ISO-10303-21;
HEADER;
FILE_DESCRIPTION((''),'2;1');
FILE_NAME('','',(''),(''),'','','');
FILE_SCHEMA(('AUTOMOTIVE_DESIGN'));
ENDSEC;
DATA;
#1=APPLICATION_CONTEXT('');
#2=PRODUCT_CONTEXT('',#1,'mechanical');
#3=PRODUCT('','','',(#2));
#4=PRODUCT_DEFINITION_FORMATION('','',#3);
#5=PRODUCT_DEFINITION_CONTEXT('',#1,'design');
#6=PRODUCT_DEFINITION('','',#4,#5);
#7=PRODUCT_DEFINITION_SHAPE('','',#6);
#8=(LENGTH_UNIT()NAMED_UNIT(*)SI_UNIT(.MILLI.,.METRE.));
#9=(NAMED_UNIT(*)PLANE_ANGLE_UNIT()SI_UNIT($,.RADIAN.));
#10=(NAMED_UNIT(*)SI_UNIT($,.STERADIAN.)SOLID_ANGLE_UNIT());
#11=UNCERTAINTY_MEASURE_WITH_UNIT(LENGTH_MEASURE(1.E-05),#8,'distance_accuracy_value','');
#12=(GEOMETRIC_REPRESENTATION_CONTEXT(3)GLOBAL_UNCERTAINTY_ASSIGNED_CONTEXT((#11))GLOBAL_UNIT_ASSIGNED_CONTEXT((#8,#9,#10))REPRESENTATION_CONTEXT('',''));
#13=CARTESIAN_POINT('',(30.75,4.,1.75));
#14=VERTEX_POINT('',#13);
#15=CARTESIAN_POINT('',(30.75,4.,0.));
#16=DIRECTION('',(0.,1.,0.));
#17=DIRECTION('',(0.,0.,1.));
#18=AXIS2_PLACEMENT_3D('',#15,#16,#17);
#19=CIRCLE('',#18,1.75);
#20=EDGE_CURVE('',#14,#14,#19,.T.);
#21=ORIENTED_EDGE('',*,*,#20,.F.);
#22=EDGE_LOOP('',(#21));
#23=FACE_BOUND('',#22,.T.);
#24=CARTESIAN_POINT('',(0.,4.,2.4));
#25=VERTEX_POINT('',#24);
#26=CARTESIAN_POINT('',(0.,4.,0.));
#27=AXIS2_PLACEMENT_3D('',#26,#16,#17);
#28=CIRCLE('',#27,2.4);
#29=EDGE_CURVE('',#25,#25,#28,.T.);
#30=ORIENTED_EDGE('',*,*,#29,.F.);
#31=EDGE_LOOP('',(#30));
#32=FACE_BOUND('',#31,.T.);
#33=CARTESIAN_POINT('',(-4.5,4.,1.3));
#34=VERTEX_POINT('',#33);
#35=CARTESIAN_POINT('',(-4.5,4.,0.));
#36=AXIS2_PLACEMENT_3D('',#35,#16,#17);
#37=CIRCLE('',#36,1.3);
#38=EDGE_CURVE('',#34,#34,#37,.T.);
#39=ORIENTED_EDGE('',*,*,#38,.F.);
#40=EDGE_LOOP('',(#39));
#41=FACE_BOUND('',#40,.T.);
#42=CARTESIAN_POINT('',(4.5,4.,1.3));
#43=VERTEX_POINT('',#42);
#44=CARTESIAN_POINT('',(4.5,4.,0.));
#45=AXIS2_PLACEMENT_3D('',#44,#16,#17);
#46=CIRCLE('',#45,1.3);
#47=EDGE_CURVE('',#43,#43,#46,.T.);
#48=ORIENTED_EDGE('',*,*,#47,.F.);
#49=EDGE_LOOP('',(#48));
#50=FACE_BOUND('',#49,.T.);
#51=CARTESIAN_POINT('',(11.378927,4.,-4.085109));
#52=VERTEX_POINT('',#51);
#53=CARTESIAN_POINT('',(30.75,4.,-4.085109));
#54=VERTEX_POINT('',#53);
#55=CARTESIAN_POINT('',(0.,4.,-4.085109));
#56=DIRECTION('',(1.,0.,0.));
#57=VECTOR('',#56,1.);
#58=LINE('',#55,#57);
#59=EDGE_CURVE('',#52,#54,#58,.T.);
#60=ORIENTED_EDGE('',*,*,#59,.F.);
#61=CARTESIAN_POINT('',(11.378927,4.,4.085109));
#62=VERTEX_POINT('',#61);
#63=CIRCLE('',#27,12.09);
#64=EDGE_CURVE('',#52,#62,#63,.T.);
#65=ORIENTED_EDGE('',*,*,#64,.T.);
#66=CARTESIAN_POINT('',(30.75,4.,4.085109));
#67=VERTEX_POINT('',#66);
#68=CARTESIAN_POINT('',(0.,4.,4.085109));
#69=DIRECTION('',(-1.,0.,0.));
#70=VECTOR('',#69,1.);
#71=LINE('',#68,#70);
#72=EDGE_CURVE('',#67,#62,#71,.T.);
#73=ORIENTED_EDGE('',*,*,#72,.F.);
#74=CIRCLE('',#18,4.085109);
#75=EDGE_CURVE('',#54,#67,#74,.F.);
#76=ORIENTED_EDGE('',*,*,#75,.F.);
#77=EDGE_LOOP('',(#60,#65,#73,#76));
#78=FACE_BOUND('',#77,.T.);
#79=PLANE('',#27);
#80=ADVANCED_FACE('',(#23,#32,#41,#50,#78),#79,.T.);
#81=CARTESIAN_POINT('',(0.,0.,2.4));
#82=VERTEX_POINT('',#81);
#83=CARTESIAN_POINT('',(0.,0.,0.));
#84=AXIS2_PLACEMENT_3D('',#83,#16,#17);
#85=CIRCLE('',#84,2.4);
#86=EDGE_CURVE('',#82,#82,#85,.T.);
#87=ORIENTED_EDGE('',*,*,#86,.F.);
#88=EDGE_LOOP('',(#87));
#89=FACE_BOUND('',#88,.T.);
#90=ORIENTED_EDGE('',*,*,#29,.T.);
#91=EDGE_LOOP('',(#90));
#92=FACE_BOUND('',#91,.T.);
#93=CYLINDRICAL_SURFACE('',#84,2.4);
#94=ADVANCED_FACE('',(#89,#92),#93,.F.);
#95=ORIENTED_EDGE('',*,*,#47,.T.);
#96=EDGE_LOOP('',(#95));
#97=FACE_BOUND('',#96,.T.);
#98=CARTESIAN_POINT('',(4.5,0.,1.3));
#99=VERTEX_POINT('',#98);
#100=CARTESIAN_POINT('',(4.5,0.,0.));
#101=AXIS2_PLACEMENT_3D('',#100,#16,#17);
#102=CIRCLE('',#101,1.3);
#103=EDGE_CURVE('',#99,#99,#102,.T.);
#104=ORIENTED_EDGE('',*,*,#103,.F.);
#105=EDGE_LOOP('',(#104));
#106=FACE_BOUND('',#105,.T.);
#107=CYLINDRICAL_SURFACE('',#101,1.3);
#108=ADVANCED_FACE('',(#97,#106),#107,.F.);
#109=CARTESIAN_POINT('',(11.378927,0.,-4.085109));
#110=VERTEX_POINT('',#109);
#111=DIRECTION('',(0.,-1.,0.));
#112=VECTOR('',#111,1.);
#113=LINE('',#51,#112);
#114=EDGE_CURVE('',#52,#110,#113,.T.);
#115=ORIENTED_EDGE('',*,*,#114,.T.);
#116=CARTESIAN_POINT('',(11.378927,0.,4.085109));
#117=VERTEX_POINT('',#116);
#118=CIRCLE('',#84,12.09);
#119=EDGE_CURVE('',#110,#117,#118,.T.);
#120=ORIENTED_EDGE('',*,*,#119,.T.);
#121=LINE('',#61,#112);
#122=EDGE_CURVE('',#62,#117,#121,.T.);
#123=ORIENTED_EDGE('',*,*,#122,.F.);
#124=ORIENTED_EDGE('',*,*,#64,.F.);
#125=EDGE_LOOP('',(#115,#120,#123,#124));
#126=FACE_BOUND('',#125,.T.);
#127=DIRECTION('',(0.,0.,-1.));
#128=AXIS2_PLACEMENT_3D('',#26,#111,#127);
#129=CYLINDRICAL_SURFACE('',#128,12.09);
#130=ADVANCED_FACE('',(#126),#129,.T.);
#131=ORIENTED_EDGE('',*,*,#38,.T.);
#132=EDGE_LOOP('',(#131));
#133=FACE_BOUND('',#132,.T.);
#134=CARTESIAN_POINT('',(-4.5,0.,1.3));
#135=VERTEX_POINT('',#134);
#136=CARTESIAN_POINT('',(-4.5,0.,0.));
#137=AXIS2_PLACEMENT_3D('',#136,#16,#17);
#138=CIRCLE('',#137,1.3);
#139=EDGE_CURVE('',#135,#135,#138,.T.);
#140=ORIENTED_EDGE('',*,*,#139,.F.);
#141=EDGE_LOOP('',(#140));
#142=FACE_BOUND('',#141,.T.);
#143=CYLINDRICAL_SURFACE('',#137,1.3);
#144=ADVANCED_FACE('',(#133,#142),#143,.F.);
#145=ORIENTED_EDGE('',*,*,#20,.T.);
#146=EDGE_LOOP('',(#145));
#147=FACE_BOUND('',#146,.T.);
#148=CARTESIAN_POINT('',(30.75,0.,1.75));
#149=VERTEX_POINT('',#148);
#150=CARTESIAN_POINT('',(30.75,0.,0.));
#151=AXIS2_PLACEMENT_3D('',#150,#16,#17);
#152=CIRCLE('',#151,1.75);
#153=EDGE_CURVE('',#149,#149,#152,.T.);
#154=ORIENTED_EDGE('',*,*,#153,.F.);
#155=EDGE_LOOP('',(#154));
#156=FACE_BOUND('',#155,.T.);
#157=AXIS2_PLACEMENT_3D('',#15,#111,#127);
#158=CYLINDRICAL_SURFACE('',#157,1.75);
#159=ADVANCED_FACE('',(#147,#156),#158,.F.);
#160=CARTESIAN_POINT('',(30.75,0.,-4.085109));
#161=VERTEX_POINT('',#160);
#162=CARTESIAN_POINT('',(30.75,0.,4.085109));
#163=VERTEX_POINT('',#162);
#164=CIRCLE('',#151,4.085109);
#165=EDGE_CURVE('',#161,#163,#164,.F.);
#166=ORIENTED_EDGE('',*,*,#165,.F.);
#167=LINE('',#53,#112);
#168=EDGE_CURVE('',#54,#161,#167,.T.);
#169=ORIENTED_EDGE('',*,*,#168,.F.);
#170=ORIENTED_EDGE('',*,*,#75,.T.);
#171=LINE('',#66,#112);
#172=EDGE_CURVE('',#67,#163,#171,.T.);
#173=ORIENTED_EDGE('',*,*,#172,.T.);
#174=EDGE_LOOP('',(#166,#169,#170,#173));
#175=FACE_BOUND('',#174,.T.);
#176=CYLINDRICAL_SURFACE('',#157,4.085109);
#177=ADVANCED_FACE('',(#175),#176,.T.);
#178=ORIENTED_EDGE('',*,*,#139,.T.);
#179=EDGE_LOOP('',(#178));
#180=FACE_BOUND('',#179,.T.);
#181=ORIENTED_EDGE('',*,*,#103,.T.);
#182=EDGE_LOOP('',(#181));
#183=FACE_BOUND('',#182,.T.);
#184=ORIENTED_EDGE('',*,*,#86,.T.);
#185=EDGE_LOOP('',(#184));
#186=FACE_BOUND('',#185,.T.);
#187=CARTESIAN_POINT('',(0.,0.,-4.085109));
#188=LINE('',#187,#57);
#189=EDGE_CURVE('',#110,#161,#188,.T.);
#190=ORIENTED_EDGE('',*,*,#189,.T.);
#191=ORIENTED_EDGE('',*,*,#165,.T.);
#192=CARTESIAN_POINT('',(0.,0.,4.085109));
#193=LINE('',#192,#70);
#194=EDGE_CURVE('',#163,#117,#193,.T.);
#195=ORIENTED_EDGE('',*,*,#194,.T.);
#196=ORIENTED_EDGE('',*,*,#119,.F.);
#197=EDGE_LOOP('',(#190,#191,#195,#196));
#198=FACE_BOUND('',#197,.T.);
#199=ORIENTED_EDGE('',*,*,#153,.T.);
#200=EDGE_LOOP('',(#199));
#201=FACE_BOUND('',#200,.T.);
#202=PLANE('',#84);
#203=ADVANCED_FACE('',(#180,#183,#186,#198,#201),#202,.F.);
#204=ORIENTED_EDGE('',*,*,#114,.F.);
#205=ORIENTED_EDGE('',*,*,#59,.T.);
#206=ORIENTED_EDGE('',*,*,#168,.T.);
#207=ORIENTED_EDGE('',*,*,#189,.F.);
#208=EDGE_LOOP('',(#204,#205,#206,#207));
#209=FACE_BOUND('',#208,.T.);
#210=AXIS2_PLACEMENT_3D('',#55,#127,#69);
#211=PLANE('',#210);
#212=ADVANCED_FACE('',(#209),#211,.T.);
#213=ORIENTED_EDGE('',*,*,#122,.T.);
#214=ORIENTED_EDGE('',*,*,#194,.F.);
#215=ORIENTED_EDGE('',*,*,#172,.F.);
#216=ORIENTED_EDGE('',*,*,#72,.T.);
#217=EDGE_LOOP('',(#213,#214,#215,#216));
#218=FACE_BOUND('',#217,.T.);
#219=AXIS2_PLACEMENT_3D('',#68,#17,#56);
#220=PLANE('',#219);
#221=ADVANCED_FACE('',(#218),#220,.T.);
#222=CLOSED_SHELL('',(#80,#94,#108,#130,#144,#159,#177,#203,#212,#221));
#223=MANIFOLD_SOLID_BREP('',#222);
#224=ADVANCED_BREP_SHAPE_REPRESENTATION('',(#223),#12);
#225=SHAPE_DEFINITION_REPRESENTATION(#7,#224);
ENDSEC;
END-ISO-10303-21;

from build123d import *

# Parameters (mm, degrees)
SKETCH_2_R          = 1.75
EXTRUDE_1_DEPTH     = 4
SKETCH_3_R          = 2.4
SKETCH_3_R_2        = 1.3
CUT_EXTRUDE_1_DEPTH = 38.089795808


with BuildPart() as part:
    # 草图2 → 凸台-拉伸1 (new body)
    with BuildSketch(Plane(origin=(0, 0, 0), x_dir=(1, 0, 0), z_dir=(0, 1, 0))):
        with BuildLine():
            Line((30.75, 4.085109489), (11.378927035, 4.085109489))
            ThreePointArc((11.378927035, 4.085109489), (-12.09, 0), (11.378927035, -4.085109489))
            Line((11.378927035, -4.085109489), (30.75, -4.085109489))
            ThreePointArc((30.75, -4.085109489), (34.835109489, 0), (30.75, 4.085109489))
        make_face()
        with Locations(Location((30.75, 0, 0), (0, 0, 270))):
            Circle(SKETCH_2_R, mode=Mode.SUBTRACT)
        with Locations(Location((0, 0, 0), (0, 0, 270))):
            Circle(SKETCH_2_R, mode=Mode.SUBTRACT)
    extrude(amount=EXTRUDE_1_DEPTH)

    # 草图3 → 切除-拉伸1 (cut, through all)
    with BuildSketch(Plane(origin=(0, 4, 0), x_dir=(1, 0, 0), z_dir=(0, 1, 0))):
        with Locations(Location((0, 0, 0), (0, 0, 270))):
            Circle(SKETCH_3_R)
        with Locations(Location((4.5, 0, 0), (0, 0, 270))):
            Circle(SKETCH_3_R_2)
        with Locations(Location((-4.5, 0, 0), (0, 0, 270))):
            Circle(SKETCH_3_R_2)
    extrude(amount=-CUT_EXTRUDE_1_DEPTH, mode=Mode.SUBTRACT)


solid = part.part
